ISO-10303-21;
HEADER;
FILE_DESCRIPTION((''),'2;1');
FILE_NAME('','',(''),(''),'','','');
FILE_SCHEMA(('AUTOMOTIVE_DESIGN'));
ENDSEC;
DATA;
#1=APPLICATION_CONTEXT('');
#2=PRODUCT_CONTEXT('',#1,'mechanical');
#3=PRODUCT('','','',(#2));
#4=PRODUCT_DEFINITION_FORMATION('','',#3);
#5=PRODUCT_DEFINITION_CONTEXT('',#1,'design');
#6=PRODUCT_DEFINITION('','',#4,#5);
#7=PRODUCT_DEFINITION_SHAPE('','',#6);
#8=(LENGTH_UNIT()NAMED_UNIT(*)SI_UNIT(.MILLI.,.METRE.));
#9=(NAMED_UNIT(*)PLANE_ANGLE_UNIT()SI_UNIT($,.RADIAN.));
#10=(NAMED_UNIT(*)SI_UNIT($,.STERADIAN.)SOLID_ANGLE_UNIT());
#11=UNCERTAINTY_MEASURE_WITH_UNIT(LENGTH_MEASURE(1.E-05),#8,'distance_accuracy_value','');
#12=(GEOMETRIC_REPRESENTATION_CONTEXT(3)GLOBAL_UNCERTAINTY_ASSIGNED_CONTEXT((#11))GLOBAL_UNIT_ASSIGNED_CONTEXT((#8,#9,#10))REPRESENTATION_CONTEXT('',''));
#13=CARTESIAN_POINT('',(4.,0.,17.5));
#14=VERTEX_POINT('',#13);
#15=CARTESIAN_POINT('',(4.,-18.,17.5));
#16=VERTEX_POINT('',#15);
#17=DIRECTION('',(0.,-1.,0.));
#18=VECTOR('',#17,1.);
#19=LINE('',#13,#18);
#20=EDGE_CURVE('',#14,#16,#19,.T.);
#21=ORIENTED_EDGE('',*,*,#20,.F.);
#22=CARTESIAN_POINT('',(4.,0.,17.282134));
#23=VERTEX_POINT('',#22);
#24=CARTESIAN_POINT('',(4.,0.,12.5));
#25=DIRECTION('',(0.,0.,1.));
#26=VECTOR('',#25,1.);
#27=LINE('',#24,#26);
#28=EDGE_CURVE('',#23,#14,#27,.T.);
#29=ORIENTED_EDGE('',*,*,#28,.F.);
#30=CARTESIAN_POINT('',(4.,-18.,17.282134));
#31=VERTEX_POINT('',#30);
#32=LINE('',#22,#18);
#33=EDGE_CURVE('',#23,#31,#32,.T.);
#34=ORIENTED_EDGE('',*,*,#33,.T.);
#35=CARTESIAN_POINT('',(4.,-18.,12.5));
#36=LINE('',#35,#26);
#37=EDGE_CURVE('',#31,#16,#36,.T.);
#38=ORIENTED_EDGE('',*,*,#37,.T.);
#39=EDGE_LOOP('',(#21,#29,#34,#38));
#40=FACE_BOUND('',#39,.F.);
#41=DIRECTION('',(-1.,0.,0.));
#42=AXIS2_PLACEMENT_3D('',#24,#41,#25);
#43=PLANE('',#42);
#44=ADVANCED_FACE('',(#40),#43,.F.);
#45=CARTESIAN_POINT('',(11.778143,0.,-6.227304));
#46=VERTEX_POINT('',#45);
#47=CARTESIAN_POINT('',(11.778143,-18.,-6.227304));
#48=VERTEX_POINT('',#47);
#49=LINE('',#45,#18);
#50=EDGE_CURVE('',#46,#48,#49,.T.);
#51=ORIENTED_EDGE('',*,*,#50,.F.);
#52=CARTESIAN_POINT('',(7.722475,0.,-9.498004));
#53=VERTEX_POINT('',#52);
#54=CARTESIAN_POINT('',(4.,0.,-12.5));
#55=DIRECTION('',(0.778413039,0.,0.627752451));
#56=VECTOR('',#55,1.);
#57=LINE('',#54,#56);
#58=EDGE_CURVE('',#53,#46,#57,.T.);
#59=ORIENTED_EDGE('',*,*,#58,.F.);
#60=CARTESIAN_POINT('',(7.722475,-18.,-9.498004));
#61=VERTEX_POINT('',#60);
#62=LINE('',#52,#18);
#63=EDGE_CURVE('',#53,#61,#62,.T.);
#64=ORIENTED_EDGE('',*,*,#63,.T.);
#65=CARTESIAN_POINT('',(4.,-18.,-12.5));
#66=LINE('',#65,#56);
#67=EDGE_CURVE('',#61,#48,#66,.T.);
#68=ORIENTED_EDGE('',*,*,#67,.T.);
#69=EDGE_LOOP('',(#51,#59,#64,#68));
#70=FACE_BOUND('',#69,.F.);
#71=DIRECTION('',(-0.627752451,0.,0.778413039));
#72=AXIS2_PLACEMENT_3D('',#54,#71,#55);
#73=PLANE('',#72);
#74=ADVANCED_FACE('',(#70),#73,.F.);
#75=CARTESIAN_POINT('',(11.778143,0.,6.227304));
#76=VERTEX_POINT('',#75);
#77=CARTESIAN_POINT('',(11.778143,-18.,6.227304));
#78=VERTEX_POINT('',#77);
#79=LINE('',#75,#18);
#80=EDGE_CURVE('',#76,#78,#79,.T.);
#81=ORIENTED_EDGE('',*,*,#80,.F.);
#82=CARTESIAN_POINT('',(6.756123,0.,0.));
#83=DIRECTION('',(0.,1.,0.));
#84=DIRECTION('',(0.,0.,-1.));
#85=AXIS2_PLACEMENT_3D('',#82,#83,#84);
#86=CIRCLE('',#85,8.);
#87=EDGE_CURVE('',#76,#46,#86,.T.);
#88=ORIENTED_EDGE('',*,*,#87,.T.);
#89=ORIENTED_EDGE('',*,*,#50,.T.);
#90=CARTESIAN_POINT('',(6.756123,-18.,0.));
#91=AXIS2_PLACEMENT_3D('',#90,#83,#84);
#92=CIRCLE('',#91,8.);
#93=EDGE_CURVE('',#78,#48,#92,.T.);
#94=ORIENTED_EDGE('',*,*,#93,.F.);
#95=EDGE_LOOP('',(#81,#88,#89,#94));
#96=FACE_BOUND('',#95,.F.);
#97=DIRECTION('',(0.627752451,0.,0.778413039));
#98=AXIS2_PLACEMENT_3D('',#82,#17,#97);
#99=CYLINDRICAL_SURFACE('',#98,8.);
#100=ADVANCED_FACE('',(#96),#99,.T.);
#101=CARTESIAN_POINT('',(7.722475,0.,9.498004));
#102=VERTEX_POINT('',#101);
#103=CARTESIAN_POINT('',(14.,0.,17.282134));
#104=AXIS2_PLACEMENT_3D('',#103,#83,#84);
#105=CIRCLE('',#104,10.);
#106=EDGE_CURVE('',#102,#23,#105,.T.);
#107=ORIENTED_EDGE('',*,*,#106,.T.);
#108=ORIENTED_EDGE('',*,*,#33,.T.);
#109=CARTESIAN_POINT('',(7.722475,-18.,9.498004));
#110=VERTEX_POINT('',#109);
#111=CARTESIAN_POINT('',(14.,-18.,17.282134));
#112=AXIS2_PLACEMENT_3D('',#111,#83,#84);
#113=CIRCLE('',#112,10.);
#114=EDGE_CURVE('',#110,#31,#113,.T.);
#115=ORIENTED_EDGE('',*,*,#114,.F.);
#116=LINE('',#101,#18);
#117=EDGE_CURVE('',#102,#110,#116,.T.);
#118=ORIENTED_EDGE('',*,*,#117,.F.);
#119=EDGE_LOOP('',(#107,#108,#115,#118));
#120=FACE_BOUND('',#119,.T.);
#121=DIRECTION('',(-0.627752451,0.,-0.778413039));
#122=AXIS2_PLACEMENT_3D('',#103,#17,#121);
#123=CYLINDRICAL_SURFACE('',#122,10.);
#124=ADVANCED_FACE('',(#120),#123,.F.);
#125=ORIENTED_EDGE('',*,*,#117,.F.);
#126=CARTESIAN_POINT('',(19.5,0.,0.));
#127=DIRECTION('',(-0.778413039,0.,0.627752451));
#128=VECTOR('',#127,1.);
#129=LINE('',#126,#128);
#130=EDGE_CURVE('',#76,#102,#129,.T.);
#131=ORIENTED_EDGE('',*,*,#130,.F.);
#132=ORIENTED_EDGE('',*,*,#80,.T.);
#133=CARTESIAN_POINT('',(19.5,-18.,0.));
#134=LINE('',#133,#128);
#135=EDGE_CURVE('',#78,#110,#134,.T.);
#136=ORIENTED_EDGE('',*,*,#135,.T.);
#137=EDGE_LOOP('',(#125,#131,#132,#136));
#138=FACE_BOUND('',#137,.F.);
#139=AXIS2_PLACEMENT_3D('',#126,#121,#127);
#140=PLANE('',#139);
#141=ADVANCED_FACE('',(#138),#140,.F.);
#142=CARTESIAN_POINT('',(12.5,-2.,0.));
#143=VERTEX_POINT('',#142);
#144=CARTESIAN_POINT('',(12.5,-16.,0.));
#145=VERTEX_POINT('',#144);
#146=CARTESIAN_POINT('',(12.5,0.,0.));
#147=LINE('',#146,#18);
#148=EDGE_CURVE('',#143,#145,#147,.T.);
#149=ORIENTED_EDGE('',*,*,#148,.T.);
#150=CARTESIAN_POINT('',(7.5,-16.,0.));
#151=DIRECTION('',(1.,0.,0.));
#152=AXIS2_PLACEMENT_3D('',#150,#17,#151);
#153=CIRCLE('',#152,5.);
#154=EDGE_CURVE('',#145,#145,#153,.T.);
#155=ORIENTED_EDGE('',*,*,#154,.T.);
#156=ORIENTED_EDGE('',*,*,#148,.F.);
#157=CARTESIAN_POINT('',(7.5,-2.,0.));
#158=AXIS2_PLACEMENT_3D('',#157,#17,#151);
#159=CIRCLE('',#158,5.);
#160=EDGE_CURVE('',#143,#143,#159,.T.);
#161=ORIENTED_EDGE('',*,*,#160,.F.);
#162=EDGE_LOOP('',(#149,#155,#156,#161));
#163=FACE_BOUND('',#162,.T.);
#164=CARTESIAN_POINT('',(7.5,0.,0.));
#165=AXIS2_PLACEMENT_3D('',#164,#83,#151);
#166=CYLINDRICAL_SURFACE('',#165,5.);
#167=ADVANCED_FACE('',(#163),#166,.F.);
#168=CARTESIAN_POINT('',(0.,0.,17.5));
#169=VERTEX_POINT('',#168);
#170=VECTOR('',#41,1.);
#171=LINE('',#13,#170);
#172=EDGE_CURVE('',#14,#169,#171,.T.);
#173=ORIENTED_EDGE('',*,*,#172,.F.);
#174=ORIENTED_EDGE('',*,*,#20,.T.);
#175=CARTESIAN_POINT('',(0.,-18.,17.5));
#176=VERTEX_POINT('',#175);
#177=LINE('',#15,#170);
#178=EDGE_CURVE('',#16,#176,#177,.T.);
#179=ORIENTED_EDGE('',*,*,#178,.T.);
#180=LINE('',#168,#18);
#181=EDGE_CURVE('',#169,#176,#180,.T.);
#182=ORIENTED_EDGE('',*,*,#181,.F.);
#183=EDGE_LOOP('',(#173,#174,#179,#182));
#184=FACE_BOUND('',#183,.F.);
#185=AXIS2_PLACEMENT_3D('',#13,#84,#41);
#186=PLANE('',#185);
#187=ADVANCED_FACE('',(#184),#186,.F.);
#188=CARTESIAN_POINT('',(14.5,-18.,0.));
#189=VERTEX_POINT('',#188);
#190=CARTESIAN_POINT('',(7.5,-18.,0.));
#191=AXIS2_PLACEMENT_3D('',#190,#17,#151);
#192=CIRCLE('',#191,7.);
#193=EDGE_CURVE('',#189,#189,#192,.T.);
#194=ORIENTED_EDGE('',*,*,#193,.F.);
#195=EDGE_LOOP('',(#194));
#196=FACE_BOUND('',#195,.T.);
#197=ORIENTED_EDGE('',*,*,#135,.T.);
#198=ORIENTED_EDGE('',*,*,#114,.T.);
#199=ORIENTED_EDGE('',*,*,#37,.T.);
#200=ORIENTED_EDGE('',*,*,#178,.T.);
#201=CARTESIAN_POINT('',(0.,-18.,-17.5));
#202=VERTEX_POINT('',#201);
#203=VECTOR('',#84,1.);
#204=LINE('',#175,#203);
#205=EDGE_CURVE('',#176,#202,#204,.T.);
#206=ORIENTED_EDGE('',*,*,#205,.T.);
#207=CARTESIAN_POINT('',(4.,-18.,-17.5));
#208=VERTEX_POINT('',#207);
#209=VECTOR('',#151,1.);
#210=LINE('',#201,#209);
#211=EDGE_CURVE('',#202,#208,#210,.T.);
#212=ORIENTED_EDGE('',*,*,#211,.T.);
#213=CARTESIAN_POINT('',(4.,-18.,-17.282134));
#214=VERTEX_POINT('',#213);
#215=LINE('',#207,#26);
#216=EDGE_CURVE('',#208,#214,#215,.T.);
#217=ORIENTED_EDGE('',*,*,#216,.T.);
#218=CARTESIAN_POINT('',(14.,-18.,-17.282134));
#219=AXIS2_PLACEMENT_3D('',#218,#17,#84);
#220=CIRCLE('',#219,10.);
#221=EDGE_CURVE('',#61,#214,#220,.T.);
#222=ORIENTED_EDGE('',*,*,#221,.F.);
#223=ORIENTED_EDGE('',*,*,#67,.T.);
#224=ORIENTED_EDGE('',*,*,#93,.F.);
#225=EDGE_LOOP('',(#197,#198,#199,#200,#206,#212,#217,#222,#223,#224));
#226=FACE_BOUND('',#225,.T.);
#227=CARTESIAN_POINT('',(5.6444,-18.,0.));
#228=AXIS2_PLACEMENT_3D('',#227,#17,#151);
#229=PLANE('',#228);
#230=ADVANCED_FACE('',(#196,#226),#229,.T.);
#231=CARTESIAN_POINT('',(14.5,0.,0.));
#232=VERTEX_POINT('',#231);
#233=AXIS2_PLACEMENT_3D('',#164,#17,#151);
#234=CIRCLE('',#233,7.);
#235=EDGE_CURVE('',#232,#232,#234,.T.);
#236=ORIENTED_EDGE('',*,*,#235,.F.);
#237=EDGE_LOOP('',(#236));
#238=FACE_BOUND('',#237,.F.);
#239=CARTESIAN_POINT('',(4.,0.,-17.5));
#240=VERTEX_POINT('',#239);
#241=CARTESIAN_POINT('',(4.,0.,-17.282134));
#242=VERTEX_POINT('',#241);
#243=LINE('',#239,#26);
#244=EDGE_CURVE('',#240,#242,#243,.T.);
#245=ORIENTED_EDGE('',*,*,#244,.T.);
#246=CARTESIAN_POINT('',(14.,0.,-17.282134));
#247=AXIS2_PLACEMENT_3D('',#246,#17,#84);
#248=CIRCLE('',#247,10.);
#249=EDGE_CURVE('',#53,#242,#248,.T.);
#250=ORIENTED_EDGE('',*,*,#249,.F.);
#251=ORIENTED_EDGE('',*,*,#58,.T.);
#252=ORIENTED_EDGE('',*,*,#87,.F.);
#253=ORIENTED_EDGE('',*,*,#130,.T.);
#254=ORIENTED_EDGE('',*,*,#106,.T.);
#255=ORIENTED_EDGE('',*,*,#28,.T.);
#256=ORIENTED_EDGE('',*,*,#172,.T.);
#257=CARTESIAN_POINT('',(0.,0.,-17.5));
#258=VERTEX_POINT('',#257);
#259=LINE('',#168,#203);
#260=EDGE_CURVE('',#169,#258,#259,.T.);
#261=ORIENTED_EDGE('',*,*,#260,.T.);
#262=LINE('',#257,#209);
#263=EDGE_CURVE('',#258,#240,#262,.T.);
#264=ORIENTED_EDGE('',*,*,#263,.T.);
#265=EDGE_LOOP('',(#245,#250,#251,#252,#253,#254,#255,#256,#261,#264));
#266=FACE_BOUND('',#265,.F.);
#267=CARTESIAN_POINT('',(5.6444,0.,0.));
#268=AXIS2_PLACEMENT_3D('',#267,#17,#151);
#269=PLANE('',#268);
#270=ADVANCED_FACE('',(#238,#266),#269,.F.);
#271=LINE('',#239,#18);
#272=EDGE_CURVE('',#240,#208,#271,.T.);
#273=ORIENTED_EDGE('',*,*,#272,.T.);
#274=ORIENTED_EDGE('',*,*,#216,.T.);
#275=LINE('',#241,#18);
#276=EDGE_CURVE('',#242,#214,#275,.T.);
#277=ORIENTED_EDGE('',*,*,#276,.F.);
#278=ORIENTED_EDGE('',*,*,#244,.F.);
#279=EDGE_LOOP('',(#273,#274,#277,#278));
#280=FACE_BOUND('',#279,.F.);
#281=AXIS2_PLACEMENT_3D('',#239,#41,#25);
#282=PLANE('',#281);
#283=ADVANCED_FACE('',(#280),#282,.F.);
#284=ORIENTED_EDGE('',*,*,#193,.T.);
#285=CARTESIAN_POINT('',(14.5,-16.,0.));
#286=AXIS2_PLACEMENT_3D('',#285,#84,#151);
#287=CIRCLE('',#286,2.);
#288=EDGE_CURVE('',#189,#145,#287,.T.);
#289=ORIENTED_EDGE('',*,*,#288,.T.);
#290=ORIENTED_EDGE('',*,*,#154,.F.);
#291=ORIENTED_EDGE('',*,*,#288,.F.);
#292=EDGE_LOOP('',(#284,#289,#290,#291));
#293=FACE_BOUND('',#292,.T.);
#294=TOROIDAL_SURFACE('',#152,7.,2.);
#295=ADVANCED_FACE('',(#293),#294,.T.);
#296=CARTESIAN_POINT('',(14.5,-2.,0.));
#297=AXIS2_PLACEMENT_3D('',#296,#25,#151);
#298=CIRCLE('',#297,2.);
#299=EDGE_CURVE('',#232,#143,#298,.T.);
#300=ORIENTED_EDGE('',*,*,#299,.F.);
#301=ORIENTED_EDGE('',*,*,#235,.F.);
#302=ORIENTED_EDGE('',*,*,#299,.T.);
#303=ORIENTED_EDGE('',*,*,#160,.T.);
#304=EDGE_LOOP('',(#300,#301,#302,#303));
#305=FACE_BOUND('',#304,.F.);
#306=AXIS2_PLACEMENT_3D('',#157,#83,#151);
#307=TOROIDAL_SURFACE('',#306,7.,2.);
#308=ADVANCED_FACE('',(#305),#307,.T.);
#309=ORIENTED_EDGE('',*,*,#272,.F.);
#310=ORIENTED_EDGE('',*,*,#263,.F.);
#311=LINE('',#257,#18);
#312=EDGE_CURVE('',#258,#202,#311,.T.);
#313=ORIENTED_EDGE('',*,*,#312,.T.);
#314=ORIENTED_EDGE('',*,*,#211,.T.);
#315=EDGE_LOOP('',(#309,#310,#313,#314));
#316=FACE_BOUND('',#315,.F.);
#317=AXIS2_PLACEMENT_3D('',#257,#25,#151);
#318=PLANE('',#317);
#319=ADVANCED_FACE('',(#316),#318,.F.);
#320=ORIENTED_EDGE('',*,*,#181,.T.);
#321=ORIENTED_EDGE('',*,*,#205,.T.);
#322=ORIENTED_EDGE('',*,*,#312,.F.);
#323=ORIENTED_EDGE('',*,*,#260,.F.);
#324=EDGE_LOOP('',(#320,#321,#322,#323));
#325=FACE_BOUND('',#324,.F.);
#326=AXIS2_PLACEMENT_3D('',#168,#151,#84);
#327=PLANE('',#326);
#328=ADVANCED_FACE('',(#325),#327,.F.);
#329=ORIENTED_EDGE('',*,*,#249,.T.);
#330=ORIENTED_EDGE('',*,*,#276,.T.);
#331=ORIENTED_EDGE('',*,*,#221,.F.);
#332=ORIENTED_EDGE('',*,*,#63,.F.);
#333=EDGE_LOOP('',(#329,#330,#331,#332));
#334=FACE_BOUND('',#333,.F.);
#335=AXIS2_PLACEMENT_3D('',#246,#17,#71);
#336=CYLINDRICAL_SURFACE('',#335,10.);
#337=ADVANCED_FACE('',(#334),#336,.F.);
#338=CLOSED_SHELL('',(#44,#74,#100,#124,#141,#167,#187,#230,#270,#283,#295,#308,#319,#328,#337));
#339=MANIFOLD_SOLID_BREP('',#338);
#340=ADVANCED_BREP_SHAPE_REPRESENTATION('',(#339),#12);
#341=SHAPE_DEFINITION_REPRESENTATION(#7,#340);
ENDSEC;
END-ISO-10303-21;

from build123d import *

# Parameters (mm, degrees)
SKETCH_R    = 5
PAD_DEPTH   = 18
FILLET_R    = 8
FILLET001_R = 10
FILLET002_R = 2


with BuildPart() as part:
    # Sketch → Pad (new body)
    with BuildSketch(Plane.XZ):
        Polygon((4, 17.5), (0, 17.5), (0, -17.5), (4, -17.5), (4, -12.5), (19.5, 0), (4, 12.5), align=None)
        with Locations((7.5, 0)):
            Circle(SKETCH_R, mode=Mode.SUBTRACT)
    extrude(amount=PAD_DEPTH)

    # Fillet
    fillet_edges = [part.edges().sort_by_distance(p)[0] for p in [
        (19.5, -9, 0),
    ]]
    fillet(fillet_edges, radius=FILLET_R)

    # Fillet001
    fillet001_edges = [part.edges().sort_by_distance(p)[0] for p in [
        (4, -9, -12.5),
        (4, -9, 12.5),
    ]]
    fillet(fillet001_edges, radius=FILLET001_R)

    # Fillet002
    fillet002_edges = [part.edges().sort_by_distance(p)[0] for p in [
        (2.5, -18, 0),
        (2.5, 0, 0),
    ]]
    fillet(fillet002_edges, radius=FILLET002_R)


solid = part.part
